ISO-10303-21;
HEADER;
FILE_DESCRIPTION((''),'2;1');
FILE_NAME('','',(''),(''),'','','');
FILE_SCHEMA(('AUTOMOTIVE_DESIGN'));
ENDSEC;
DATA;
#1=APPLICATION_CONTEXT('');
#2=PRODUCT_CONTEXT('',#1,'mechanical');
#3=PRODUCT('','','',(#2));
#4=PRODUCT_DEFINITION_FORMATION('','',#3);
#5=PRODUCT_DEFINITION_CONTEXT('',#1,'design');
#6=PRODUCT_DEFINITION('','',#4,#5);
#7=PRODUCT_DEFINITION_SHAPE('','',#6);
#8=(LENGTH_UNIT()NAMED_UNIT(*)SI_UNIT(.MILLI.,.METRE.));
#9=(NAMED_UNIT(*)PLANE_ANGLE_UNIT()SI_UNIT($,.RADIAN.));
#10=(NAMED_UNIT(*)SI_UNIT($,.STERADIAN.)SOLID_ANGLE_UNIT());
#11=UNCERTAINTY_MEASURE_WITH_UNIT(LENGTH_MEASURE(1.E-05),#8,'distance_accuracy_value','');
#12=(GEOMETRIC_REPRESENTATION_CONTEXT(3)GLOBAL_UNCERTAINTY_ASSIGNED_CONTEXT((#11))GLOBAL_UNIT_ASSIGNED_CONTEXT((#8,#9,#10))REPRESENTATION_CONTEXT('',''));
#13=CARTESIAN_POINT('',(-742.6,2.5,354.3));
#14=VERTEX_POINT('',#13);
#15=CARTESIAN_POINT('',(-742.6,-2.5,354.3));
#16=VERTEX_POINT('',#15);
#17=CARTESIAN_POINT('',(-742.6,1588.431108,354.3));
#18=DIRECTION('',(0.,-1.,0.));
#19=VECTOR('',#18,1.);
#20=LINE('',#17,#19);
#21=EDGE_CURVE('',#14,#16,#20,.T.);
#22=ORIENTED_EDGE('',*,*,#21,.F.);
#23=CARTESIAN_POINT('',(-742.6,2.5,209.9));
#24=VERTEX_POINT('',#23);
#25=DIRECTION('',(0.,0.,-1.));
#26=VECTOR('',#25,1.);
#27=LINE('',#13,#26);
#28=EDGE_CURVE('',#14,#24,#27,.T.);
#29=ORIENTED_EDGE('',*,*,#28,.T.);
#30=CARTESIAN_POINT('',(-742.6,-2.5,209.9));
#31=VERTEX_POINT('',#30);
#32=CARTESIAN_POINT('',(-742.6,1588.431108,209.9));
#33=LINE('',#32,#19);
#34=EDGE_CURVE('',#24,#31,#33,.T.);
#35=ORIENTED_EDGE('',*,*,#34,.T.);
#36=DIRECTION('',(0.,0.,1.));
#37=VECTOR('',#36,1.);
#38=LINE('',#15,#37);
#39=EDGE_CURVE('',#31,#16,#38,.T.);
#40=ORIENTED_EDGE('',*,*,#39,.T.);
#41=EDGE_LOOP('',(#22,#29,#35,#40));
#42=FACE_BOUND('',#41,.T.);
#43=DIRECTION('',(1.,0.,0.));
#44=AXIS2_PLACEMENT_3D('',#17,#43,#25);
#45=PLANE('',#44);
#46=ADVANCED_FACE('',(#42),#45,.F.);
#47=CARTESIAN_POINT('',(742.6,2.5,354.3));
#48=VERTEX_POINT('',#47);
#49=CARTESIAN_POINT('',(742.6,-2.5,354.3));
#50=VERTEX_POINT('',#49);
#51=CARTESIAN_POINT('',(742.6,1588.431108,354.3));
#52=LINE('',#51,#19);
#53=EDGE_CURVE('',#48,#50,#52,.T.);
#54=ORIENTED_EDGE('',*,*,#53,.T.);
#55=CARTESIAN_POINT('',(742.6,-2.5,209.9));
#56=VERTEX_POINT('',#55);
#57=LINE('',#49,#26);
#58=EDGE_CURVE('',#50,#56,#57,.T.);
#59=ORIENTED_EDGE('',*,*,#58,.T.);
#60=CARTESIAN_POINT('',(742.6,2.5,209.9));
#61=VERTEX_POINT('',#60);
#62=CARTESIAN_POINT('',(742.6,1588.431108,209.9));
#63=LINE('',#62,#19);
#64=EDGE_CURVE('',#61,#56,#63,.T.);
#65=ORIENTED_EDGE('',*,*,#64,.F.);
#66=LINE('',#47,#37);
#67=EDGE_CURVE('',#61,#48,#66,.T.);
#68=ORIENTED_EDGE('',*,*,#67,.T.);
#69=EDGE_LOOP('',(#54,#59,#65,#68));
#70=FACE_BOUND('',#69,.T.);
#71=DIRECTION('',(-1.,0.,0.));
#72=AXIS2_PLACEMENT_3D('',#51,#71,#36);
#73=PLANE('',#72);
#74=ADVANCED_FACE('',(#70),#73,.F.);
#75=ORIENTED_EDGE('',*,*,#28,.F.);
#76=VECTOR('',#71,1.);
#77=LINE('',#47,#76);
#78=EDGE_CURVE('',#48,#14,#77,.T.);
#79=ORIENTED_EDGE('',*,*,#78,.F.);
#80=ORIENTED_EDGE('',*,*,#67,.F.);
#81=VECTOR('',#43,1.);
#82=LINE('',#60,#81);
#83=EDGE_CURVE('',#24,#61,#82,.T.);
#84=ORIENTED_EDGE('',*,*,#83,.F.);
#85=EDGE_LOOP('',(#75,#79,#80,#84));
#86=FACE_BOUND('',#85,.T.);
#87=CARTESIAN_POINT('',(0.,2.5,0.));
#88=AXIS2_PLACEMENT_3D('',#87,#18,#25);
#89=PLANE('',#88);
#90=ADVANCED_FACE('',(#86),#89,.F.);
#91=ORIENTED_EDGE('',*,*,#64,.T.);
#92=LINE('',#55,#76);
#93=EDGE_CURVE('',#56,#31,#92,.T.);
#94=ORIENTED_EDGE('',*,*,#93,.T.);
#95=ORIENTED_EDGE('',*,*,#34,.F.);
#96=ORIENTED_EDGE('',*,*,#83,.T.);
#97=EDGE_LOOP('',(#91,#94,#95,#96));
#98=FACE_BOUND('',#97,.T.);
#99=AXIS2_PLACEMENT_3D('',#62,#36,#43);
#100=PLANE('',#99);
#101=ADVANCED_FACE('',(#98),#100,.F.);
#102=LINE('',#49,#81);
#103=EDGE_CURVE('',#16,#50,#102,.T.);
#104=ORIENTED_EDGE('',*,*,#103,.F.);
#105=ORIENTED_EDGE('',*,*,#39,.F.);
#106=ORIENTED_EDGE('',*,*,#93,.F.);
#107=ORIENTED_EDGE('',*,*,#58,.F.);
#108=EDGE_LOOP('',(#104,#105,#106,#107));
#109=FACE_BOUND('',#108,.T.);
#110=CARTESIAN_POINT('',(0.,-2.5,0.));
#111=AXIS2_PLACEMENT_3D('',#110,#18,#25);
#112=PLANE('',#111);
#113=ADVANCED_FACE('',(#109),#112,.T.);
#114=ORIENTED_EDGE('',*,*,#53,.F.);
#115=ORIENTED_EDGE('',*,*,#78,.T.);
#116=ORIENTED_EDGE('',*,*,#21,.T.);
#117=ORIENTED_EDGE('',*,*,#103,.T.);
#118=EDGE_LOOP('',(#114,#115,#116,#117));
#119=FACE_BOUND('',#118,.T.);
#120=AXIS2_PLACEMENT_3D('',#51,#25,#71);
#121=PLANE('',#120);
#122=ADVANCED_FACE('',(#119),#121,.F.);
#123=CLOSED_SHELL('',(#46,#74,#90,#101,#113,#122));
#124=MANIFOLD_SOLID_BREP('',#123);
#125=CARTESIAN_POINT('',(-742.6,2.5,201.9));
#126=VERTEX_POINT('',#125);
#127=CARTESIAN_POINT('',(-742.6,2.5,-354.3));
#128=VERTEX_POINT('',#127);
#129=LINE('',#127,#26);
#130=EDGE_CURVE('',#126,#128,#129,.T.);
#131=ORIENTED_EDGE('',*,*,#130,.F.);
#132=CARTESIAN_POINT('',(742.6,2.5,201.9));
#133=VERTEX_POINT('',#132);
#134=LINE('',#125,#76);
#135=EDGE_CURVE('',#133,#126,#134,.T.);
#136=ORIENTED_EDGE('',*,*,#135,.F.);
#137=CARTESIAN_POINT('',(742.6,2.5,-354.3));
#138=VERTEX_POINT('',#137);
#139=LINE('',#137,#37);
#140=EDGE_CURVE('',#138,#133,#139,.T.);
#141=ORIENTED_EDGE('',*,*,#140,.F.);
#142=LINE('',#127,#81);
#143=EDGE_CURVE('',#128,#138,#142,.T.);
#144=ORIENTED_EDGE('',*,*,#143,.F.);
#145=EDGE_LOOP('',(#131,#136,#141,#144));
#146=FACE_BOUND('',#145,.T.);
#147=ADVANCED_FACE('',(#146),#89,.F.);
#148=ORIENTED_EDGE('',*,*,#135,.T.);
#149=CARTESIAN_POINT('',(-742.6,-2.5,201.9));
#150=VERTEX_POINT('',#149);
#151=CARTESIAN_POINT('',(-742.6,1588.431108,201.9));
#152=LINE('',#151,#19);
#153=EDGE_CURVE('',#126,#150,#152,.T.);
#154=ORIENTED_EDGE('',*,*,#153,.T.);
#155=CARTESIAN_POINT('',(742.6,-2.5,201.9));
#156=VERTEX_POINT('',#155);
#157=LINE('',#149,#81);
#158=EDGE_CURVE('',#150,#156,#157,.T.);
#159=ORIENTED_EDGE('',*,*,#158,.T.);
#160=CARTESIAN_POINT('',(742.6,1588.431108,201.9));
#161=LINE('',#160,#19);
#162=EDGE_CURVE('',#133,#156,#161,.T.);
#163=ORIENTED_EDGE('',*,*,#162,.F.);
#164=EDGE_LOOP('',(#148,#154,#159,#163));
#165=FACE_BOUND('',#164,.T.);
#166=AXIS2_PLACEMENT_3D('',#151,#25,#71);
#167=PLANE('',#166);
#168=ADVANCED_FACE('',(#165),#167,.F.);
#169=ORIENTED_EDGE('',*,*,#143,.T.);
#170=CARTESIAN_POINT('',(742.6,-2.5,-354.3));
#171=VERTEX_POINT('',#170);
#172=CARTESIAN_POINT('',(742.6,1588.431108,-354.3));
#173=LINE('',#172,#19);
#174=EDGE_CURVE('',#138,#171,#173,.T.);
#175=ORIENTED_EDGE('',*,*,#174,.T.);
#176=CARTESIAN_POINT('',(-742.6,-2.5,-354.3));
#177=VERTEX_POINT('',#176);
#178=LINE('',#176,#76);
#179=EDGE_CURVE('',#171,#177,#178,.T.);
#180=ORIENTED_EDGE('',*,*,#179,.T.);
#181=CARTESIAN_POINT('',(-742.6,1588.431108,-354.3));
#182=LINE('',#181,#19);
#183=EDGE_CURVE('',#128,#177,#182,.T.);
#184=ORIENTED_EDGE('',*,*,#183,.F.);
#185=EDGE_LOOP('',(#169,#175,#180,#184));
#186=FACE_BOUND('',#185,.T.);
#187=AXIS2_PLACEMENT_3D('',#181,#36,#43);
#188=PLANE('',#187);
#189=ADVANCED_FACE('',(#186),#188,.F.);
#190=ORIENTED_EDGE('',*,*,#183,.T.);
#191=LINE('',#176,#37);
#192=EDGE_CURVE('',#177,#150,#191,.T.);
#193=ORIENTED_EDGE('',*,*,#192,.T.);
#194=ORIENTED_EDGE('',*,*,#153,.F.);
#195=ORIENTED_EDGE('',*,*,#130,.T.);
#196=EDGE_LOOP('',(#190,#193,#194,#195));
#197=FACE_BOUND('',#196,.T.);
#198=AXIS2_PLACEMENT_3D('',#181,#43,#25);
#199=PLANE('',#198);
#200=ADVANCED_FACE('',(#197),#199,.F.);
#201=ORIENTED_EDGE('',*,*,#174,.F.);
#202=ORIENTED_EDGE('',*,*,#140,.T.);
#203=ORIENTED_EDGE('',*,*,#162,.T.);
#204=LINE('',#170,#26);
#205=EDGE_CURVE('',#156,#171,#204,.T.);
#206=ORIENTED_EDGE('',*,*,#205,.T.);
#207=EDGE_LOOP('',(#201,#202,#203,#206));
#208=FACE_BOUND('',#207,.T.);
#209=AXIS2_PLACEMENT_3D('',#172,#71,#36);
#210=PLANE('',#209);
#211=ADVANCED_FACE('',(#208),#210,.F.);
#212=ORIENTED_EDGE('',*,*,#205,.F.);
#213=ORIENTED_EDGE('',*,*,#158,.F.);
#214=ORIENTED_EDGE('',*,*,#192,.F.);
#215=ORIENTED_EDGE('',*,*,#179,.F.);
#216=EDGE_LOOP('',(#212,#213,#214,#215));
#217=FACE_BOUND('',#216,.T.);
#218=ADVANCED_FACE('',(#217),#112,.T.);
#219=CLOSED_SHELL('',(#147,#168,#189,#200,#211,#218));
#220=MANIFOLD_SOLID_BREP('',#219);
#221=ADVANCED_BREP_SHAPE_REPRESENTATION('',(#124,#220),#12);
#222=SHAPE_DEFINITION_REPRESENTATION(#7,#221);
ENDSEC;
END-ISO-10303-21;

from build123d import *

# Parameters (mm, degrees)
BOSS_EXTRUDE1_DEPTH             = 2.5
BOSS_EXTRUDE1_DEPTH_BACK        = 2.5
SKETCH1_W                       = 1473.2
SKETCH1_H                       = 544.2
BOSS_EXTRUDE1_2_DEPTH           = 2.5
BOSS_EXTRUDE1_2_DEPTH_BACK      = 2.5
SKETCH1_H_2                     = 132.4
BOSS_EXTRUDE2_REACH             = 816.8
SKETCH2_W                       = 1485.2
SKETCH2_H                       = 556.2
SKETCH2_W_2                     = 1473.2
SKETCH2_H_2                     = 544.2
SKETCH2_H_3                     = 144.4
SKETCH2_H_4                     = 132.4
BOSS_EXTRUDE2_DIRECTION_2_REACH = 816.8


with BuildPart() as part:
    # Sketch1 → Boss-Extrude1 (new, two sides: drawn at the far end of the back side and taken through both)
    with BuildSketch(Plane(origin=(0, 0, 0), x_dir=(1, 0, 0), z_dir=(0, 1, 0)).offset(-BOSS_EXTRUDE1_DEPTH_BACK)):
        with Locations((0, 76.2)):
            Rectangle(SKETCH1_W, SKETCH1_H)
    extrude(amount=BOSS_EXTRUDE1_DEPTH + BOSS_EXTRUDE1_DEPTH_BACK)

    # Boss-Extrude2: up to this face of the body (flat: up to its plane)
    boss_extrude2_end = Plane(part.part.faces().sort_by_distance((0, 2.5, -76.2))[0])
    # Sketch2 → Boss-Extrude2 (add, up to the picked face)
    with BuildSketch(Plane(origin=(0, 0, 0), x_dir=(1, 0, 0), z_dir=(0, 1, 0)), mode=Mode.PRIVATE) as boss_extrude2_sk1:
        with Locations((0, 76.2)):
            Rectangle(SKETCH2_W, SKETCH2_H)
        with Locations((0, 76.2)):
            Rectangle(SKETCH2_W_2, SKETCH2_H_2, mode=Mode.SUBTRACT)
    boss_extrude2_tool1 = split(extrude(boss_extrude2_sk1.sketch, amount=BOSS_EXTRUDE2_REACH, mode=Mode.PRIVATE), bisect_by=boss_extrude2_end, keep=Keep.BOTH, mode=Mode.PRIVATE)
    # Sketch2 → Boss-Extrude2 (add, up to the picked face)
    with BuildSketch(Plane(origin=(0, 0, 0), x_dir=(1, 0, 0), z_dir=(0, 1, 0)), mode=Mode.PRIVATE) as boss_extrude2_sk2:
        with Locations((0, -282.1)):
            Rectangle(SKETCH2_W, SKETCH2_H_3)
        with Locations((0, -282.1)):
            Rectangle(SKETCH2_W_2, SKETCH2_H_4, mode=Mode.SUBTRACT)
    boss_extrude2_tool2 = split(extrude(boss_extrude2_sk2.sketch, amount=BOSS_EXTRUDE2_REACH, mode=Mode.PRIVATE), bisect_by=boss_extrude2_end, keep=Keep.BOTH, mode=Mode.PRIVATE)


with BuildPart() as body_2:
    # Sketch1 → Boss-Extrude1 2 (new, two sides: drawn at the far end of the back side and taken through both)
    with BuildSketch(Plane(origin=(0, 0, 0), x_dir=(1, 0, 0), z_dir=(0, 1, 0)).offset(-BOSS_EXTRUDE1_2_DEPTH_BACK)):
        with Locations((0, -282.1)):
            Rectangle(SKETCH1_W, SKETCH1_H_2)
    extrude(amount=BOSS_EXTRUDE1_2_DEPTH + BOSS_EXTRUDE1_2_DEPTH_BACK)


with BuildPart() as part_1:
    add(part.part)

    add(body_2.part)  # Boss-Extrude2 merges body 2
    add(boss_extrude2_tool1.solids().sort_by(Axis((0, 0, -352.714069), (0, 1, 0)))[0])
    add(boss_extrude2_tool2.solids().sort_by(Axis((0, 0, 352.807797), (0, 1, 0)))[0])

    # Boss-Extrude2 direction 2: up to this face of the body (flat: up to its plane)
    boss_extrude2_direction_2_end = Plane(part_1.part.faces().sort_by_distance((0, -2.5, -76.2))[0])
    # Sketch2 → Boss-Extrude2 direction 2 (add, up to the picked face)
    with BuildSketch(Plane(origin=(0, 0, 0), x_dir=(1, 0, 0), z_dir=(0, 1, 0)), mode=Mode.PRIVATE) as boss_extrude2_direction_2_sk1:
        with Locations((0, 76.2)):
            Rectangle(SKETCH2_W, SKETCH2_H)
        with Locations((0, 76.2)):
            Rectangle(SKETCH2_W_2, SKETCH2_H_2, mode=Mode.SUBTRACT)
    boss_extrude2_direction_2_tool1 = split(extrude(boss_extrude2_direction_2_sk1.sketch, amount=-BOSS_EXTRUDE2_DIRECTION_2_REACH, mode=Mode.PRIVATE), bisect_by=boss_extrude2_direction_2_end, keep=Keep.BOTH, mode=Mode.PRIVATE)
    # Sketch2 → Boss-Extrude2 direction 2 (add, up to the picked face)
    with BuildSketch(Plane(origin=(0, 0, 0), x_dir=(1, 0, 0), z_dir=(0, 1, 0)), mode=Mode.PRIVATE) as boss_extrude2_direction_2_sk2:
        with Locations((0, -282.1)):
            Rectangle(SKETCH2_W, SKETCH2_H_3)
        with Locations((0, -282.1)):
            Rectangle(SKETCH2_W_2, SKETCH2_H_4, mode=Mode.SUBTRACT)
    boss_extrude2_direction_2_tool2 = split(extrude(boss_extrude2_direction_2_sk2.sketch, amount=-BOSS_EXTRUDE2_DIRECTION_2_REACH, mode=Mode.PRIVATE), bisect_by=boss_extrude2_direction_2_end, keep=Keep.BOTH, mode=Mode.PRIVATE)
    add(boss_extrude2_direction_2_tool1.solids().sort_by(Axis((0, 0, -352.714069), (0, -1, 0)))[0])
    add(boss_extrude2_direction_2_tool2.solids().sort_by(Axis((0, 0, 352.807797), (0, -1, 0)))[0])


solid = part_1.part
